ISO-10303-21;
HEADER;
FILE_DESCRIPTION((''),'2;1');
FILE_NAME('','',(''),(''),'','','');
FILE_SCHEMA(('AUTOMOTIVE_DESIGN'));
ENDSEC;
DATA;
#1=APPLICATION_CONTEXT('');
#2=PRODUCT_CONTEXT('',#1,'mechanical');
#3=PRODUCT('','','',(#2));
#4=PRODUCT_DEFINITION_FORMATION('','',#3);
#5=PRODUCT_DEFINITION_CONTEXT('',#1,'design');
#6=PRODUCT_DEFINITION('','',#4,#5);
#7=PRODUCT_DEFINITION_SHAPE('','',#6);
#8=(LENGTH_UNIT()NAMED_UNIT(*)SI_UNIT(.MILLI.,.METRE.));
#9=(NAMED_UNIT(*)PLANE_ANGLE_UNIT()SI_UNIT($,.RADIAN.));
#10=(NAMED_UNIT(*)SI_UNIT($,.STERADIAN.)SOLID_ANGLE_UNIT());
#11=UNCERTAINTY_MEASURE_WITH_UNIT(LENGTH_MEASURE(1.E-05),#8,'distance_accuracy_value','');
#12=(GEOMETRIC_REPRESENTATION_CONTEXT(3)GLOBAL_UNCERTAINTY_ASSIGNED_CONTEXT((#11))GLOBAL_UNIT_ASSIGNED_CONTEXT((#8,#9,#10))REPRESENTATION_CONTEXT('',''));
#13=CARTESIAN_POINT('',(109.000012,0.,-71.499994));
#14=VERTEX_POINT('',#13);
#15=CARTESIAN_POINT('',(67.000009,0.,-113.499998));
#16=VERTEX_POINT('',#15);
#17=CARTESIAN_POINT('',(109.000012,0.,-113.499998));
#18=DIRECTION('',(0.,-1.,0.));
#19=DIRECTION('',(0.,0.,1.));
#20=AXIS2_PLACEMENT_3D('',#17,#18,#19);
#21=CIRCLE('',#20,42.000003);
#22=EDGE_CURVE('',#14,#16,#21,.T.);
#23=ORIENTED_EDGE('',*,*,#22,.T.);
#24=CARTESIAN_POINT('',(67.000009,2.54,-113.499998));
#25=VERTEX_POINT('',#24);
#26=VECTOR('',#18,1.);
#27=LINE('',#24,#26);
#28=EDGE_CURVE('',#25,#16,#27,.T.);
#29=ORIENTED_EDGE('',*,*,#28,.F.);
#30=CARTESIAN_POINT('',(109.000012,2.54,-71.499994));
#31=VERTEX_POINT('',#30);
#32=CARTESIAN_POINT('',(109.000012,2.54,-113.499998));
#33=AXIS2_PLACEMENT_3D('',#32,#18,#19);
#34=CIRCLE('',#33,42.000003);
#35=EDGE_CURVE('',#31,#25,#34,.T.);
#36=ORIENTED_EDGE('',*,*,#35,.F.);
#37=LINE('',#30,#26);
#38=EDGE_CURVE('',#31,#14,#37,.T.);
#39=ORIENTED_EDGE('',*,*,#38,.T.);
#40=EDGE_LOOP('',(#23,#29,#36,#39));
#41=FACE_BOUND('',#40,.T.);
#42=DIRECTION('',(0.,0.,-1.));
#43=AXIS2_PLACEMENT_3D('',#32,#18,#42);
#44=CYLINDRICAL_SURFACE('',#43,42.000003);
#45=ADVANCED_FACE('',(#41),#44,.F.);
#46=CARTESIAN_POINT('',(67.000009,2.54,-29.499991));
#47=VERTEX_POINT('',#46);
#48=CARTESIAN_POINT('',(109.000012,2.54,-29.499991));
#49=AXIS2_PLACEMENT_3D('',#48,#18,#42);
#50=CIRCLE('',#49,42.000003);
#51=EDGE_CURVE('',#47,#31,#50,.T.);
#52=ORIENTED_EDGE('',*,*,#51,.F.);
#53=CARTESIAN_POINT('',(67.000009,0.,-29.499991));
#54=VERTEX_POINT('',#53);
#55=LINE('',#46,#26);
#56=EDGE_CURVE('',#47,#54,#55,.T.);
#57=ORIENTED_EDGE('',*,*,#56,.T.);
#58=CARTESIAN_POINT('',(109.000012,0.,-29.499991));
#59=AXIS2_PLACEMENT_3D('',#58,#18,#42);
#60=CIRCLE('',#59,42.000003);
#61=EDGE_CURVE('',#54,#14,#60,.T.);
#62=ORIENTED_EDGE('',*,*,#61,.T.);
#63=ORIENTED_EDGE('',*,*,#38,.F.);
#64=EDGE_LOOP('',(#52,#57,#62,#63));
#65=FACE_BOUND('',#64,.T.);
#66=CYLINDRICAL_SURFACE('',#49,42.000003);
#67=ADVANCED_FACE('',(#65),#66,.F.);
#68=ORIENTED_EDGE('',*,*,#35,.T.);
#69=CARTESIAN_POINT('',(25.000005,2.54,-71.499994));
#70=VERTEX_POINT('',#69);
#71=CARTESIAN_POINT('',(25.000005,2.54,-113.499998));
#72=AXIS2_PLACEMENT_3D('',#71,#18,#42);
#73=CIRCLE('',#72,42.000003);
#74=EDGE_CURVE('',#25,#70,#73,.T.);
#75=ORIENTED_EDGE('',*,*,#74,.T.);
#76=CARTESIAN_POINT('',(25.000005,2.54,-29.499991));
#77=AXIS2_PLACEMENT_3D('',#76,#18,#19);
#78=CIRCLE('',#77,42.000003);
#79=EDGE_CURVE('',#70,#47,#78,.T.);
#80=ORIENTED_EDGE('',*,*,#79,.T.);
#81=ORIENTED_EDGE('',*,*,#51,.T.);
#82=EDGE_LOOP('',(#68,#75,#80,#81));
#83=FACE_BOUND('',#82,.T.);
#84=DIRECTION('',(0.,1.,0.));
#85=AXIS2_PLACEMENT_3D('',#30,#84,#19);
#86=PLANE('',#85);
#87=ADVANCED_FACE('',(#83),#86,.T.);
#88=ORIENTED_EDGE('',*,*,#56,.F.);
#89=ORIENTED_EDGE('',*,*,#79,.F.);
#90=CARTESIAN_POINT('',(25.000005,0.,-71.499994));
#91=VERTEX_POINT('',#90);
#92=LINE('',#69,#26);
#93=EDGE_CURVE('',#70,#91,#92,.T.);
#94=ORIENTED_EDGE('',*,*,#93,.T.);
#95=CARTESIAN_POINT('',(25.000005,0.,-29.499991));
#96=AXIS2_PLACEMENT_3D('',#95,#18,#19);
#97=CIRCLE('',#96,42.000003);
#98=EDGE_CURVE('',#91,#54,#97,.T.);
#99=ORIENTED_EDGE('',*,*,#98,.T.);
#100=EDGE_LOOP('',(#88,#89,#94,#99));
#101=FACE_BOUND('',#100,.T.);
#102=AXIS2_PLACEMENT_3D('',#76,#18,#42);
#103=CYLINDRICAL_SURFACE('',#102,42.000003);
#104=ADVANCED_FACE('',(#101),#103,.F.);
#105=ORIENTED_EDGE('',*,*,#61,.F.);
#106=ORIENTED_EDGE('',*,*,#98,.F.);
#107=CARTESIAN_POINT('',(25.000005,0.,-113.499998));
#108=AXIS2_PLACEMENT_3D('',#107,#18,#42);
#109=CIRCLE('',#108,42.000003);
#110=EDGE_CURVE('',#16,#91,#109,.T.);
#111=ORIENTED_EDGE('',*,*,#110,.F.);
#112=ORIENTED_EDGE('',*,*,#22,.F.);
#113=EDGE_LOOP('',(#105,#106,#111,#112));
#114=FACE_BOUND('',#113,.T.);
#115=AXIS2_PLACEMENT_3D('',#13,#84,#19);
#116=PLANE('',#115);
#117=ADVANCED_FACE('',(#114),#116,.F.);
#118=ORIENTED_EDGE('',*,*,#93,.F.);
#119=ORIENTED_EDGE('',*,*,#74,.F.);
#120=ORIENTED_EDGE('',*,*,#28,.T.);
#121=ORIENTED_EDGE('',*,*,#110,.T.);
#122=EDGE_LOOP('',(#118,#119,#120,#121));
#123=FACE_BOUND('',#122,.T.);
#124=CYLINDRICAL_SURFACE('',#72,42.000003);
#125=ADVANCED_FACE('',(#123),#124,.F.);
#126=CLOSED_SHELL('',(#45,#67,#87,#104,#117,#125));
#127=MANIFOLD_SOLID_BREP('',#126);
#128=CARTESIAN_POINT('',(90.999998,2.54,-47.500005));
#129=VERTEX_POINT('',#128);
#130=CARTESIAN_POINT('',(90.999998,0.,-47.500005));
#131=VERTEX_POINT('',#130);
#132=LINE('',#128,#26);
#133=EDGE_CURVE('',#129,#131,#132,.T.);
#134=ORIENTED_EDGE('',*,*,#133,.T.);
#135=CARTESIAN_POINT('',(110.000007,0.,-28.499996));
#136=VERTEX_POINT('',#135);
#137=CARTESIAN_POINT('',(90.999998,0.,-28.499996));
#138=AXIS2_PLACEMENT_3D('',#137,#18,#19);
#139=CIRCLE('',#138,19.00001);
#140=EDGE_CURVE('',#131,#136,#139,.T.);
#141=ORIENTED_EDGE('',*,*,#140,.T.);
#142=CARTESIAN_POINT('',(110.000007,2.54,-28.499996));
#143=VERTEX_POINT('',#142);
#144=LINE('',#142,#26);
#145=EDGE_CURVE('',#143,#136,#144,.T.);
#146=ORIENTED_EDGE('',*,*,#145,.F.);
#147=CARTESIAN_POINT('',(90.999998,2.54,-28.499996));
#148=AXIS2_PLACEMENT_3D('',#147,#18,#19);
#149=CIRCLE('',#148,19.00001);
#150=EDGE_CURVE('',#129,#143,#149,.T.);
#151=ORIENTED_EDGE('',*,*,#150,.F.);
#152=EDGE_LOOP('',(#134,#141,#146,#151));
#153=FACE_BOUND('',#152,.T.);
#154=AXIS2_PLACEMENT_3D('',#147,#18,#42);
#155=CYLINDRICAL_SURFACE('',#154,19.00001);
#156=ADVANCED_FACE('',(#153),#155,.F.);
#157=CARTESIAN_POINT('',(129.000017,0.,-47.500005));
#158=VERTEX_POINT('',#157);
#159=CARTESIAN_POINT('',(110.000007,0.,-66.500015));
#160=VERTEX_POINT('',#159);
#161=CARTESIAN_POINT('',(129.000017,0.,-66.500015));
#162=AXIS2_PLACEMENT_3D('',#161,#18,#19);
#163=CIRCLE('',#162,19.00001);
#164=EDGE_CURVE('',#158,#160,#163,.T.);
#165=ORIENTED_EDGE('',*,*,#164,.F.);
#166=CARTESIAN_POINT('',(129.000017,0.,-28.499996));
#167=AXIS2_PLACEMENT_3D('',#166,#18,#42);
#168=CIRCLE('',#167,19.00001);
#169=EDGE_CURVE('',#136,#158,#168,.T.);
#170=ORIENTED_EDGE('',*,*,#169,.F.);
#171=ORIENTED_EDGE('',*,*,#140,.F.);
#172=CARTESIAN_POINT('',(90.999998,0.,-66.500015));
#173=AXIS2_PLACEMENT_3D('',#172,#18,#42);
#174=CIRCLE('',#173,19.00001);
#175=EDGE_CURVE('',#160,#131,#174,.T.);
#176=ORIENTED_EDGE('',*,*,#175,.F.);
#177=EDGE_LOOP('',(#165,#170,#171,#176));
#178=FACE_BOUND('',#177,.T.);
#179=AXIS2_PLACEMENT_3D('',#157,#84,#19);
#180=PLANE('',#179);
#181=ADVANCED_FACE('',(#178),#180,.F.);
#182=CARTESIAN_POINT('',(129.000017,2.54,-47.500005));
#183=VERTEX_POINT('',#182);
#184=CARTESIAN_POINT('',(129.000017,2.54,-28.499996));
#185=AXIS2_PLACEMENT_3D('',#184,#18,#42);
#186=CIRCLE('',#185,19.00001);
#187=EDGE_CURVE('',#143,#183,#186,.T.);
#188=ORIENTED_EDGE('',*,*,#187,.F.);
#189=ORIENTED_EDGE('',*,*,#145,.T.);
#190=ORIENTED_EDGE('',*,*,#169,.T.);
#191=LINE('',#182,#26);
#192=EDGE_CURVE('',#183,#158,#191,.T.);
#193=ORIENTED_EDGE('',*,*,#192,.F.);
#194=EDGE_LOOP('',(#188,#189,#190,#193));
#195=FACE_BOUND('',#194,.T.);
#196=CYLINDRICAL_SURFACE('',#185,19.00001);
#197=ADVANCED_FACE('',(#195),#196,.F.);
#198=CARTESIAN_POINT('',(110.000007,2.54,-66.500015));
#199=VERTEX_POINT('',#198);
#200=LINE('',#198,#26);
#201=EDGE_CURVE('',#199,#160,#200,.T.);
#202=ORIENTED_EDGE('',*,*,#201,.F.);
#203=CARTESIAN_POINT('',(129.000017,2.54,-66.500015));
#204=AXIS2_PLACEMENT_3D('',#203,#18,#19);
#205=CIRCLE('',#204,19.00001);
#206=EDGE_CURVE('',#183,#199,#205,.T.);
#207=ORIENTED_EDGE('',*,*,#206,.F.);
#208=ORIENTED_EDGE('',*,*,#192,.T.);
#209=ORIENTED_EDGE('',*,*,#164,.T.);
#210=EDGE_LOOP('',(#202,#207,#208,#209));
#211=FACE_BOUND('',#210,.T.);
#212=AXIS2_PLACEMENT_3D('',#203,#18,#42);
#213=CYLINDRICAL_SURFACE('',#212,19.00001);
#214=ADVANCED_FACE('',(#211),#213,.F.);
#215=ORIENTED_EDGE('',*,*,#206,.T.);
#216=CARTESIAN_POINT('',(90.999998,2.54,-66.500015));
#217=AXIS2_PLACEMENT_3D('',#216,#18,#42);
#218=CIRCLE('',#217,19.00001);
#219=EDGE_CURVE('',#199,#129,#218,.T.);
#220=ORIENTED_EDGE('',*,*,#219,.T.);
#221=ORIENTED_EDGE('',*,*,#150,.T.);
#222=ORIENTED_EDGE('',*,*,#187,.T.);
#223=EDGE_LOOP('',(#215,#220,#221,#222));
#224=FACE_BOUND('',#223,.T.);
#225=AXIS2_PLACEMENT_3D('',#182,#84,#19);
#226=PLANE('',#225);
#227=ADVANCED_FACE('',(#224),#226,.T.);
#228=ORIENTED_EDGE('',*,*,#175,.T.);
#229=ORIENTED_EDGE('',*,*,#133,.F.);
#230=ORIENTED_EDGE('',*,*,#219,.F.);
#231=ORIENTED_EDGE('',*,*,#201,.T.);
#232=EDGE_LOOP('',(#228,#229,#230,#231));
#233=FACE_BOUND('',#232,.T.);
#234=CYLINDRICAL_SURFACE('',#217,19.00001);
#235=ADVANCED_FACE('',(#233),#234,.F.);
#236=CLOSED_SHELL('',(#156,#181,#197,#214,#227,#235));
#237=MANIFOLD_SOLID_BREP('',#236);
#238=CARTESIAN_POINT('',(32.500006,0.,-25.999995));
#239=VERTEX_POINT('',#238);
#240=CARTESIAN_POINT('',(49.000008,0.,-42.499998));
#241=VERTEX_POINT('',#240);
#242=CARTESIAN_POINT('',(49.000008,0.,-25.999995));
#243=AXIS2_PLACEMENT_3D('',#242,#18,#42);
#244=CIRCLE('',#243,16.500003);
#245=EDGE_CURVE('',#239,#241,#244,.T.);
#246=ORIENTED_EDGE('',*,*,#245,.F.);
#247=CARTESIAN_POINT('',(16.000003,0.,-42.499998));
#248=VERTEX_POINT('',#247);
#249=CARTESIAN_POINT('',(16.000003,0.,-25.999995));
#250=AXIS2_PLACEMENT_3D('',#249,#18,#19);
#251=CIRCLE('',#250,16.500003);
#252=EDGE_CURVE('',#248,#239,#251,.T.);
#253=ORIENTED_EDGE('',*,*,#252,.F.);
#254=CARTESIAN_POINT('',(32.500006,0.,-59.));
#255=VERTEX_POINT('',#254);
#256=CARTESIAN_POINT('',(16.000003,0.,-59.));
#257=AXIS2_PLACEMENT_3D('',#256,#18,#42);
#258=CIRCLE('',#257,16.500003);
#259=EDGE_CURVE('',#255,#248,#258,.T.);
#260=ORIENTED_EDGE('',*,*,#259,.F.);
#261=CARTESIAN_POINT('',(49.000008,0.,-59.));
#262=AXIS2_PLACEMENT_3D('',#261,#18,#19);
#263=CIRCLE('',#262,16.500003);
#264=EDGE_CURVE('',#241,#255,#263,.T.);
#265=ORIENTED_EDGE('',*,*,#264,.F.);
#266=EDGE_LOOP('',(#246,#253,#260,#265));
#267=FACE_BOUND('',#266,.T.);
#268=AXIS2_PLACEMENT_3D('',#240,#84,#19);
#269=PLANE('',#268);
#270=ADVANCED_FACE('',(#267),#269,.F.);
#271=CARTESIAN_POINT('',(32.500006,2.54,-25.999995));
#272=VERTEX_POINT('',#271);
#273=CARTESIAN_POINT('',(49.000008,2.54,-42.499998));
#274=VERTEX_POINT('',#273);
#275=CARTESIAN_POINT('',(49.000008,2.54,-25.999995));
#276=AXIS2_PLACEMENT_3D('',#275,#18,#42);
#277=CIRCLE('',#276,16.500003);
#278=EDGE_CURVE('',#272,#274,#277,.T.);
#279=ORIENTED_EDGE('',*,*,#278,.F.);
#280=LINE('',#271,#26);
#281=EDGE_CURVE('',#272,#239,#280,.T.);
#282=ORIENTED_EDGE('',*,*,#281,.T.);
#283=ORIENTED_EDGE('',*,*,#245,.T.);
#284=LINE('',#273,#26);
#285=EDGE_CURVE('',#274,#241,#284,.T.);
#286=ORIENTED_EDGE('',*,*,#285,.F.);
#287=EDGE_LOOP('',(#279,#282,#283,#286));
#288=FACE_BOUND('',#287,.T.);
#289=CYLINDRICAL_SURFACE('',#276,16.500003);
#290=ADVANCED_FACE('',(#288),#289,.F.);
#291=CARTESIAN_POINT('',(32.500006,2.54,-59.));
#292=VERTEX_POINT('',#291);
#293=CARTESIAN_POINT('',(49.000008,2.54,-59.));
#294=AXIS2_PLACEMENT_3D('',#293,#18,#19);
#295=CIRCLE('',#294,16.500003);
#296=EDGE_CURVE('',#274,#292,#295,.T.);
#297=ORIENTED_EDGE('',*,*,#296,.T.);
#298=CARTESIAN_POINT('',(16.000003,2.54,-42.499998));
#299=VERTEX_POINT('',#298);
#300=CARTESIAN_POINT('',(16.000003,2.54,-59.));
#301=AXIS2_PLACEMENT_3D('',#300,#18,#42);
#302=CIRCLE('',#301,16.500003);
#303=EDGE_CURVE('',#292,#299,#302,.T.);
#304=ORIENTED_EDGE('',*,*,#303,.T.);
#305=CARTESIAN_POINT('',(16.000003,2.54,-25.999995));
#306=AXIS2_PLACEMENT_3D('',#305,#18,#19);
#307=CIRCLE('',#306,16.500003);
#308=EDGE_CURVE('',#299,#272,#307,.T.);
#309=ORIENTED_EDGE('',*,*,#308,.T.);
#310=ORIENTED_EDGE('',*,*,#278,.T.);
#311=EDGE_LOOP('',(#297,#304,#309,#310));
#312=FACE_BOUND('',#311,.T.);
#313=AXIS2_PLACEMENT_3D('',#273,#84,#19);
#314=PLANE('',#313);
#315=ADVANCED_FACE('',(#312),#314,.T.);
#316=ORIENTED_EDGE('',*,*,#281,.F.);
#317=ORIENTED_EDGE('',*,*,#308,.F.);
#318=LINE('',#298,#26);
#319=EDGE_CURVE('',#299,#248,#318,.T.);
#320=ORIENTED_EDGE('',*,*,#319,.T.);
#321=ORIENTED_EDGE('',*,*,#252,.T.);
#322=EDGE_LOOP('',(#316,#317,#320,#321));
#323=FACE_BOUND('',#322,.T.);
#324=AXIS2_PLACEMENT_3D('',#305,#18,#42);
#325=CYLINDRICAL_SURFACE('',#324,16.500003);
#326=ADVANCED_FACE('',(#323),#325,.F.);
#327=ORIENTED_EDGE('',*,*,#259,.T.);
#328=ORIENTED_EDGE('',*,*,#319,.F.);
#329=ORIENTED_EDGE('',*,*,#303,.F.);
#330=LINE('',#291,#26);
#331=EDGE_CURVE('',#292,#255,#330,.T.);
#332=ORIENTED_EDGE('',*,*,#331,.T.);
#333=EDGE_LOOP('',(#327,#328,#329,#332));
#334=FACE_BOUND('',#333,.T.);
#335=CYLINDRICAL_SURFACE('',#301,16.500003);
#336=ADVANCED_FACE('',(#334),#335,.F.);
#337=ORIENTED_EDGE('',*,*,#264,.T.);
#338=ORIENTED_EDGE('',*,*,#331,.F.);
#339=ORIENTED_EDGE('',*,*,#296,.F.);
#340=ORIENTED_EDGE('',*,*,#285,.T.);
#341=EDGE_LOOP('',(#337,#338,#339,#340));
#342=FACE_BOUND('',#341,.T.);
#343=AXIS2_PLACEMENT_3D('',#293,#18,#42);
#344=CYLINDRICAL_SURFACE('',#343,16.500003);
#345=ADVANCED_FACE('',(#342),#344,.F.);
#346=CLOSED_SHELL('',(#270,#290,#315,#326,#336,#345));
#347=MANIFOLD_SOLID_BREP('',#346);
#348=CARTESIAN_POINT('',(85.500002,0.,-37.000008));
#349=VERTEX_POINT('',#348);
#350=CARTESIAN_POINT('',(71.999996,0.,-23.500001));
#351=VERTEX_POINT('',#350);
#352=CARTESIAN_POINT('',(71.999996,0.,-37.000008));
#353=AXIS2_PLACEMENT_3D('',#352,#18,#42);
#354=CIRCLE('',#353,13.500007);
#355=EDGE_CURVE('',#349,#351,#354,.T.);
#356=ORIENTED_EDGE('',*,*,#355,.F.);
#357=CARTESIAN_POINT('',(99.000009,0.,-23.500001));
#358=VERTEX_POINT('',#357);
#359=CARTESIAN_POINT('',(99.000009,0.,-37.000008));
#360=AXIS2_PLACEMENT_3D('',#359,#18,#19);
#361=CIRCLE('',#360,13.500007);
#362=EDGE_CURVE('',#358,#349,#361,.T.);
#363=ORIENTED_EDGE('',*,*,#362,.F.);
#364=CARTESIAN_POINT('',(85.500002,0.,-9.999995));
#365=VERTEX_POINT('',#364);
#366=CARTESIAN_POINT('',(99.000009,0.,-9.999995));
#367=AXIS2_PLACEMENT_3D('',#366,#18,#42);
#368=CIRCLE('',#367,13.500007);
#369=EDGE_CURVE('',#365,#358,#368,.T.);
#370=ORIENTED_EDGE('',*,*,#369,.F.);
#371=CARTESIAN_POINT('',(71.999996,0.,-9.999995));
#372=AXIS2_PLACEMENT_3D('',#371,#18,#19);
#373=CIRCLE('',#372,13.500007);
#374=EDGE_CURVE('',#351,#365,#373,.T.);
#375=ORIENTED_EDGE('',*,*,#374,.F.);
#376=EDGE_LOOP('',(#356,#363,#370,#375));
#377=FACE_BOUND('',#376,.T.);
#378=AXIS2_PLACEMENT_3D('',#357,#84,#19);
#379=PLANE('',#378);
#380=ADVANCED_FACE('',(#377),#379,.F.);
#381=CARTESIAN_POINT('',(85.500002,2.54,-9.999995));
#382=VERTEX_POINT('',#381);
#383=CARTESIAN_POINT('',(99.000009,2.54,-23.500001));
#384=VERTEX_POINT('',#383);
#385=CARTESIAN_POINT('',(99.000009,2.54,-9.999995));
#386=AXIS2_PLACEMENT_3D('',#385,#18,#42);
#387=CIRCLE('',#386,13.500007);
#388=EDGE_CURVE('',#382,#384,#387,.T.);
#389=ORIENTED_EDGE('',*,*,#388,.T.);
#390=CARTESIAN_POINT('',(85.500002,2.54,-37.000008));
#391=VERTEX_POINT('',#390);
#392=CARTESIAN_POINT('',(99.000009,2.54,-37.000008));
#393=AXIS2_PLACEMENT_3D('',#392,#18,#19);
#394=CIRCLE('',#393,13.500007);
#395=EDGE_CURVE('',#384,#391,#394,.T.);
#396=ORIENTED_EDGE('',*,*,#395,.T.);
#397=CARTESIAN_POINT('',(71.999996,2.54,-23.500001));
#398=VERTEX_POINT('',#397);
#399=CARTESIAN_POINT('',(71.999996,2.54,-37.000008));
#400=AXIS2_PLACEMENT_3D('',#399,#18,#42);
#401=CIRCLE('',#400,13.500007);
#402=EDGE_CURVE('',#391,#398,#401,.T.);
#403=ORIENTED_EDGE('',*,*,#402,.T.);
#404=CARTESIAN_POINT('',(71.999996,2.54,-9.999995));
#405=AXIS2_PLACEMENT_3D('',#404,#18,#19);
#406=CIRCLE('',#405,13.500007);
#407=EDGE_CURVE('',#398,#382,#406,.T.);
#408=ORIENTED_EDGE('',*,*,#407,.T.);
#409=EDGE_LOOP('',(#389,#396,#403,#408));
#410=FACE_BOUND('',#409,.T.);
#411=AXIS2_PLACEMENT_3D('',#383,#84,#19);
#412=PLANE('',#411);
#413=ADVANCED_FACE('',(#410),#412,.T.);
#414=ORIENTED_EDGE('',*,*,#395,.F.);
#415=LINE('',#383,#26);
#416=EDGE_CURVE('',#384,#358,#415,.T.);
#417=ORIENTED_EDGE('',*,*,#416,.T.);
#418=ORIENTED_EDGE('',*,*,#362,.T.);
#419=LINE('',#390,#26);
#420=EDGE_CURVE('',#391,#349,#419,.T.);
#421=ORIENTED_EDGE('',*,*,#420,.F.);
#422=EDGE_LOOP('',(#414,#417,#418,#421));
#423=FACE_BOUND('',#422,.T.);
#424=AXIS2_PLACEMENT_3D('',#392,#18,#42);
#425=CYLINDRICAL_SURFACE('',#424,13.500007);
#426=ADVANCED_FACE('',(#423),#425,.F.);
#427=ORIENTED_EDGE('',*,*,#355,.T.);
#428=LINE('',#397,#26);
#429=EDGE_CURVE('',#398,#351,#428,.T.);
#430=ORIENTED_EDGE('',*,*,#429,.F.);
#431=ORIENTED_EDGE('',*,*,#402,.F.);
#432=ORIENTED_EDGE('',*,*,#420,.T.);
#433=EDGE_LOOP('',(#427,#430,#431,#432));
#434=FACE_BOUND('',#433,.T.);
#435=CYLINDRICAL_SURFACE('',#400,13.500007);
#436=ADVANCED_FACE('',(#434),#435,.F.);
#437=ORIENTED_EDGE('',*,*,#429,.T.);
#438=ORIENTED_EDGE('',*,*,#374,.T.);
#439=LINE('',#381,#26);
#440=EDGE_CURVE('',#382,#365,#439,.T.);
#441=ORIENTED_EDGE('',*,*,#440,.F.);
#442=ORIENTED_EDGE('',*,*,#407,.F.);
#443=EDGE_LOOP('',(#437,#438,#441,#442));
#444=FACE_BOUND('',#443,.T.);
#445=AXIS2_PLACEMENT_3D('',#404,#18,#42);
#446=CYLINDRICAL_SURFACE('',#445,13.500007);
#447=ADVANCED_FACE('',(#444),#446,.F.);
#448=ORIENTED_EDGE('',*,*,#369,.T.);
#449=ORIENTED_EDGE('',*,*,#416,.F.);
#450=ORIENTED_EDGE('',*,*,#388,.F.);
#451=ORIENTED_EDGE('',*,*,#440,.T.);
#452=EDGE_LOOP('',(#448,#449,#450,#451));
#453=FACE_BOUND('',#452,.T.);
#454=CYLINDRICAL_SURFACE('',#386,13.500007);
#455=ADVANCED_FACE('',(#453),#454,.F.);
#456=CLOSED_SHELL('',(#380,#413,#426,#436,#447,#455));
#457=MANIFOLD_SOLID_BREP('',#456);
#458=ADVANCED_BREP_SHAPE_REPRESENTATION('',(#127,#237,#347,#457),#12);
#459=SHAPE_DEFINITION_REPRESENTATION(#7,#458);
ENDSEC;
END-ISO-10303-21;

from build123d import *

# Parameters (mm, degrees)
BOSS_EXTRUDE1_DEPTH   = 2.54
BOSS_EXTRUDE1_2_DEPTH = 2.54
BOSS_EXTRUDE1_3_DEPTH = 2.54
BOSS_EXTRUDE1_4_DEPTH = 2.54


with BuildPart() as part:
    # Sketch1 → Boss-Extrude1 (new body)
    with BuildSketch(Plane(origin=(0, 0, 0), x_dir=(1, 0, 0), z_dir=(0, 1, 0))):
        with BuildLine():
            ThreePointArc((67.000008539, 113.499997607), (54.698492361, 83.801510412), (25.000005167, 71.499994235))
            ThreePointArc((25.000005167, 71.499994235), (54.698492361, 59.198478057), (67.000008539, 29.499990863))
            ThreePointArc((67.000008539, 29.499990863), (79.301524717, 59.198478057), (109.000011911, 71.499994235))
            ThreePointArc((109.000011911, 71.499994235), (79.301524717, 83.801510412), (67.000008539, 113.499997607))
        make_face()
    extrude(amount=BOSS_EXTRUDE1_DEPTH)


with BuildPart() as body_2:
    # Sketch1 → Boss-Extrude1 2 (new body)
    with BuildSketch(Plane(origin=(0, 0, 0), x_dir=(1, 0, 0), z_dir=(0, 1, 0))):
        with BuildLine():
            ThreePointArc((110.000007153, 66.500014723), (104.435033198, 53.064979127), (90.999997602, 47.500005172))
            ThreePointArc((90.999997602, 47.500005172), (104.435033198, 41.935031217), (110.000007153, 28.49999562))
            ThreePointArc((110.000007153, 28.49999562), (115.564981108, 41.935031217), (129.000016704, 47.500005172))
            ThreePointArc((129.000016704, 47.500005172), (115.564981108, 53.064979127), (110.000007153, 66.500014723))
        make_face()
    extrude(amount=BOSS_EXTRUDE1_2_DEPTH)


with BuildPart() as body_3:
    # Sketch1 → Boss-Extrude1 3 (new body)
    with BuildSketch(Plane(origin=(0, 0, 0), x_dir=(1, 0, 0), z_dir=(0, 1, 0))):
        with BuildLine():
            ThreePointArc((85.50000216, 37.000007637), (81.545941793, 27.454061472), (71.999995628, 23.500001105))
            ThreePointArc((71.999995628, 23.500001105), (81.545941793, 19.545940737), (85.50000216, 9.999994572))
            ThreePointArc((85.50000216, 9.999994572), (89.454062528, 19.545940737), (99.000008693, 23.500001105))
            ThreePointArc((99.000008693, 23.500001105), (89.454062528, 27.454061472), (85.50000216, 37.000007637))
        make_face()
    extrude(amount=BOSS_EXTRUDE1_3_DEPTH)


with BuildPart() as body_4:
    # Sketch1 → Boss-Extrude1 4 (new body)
    with BuildSketch(Plane(origin=(0, 0, 0), x_dir=(1, 0, 0), z_dir=(0, 1, 0))):
        with BuildLine():
            ThreePointArc((32.500005891, 59.000000429), (27.66726702, 47.332736703), (16.000003294, 42.499997832))
            ThreePointArc((16.000003294, 42.499997832), (27.66726702, 37.667258961), (32.500005891, 25.999995235))
            ThreePointArc((32.500005891, 25.999995235), (37.332744762, 37.667258961), (49.000008488, 42.499997832))
            ThreePointArc((49.000008488, 42.499997832), (37.332744762, 47.332736703), (32.500005891, 59.000000429))
        make_face()
    extrude(amount=BOSS_EXTRUDE1_4_DEPTH)


solid = Compound([part.part, body_2.part, body_3.part, body_4.part])
